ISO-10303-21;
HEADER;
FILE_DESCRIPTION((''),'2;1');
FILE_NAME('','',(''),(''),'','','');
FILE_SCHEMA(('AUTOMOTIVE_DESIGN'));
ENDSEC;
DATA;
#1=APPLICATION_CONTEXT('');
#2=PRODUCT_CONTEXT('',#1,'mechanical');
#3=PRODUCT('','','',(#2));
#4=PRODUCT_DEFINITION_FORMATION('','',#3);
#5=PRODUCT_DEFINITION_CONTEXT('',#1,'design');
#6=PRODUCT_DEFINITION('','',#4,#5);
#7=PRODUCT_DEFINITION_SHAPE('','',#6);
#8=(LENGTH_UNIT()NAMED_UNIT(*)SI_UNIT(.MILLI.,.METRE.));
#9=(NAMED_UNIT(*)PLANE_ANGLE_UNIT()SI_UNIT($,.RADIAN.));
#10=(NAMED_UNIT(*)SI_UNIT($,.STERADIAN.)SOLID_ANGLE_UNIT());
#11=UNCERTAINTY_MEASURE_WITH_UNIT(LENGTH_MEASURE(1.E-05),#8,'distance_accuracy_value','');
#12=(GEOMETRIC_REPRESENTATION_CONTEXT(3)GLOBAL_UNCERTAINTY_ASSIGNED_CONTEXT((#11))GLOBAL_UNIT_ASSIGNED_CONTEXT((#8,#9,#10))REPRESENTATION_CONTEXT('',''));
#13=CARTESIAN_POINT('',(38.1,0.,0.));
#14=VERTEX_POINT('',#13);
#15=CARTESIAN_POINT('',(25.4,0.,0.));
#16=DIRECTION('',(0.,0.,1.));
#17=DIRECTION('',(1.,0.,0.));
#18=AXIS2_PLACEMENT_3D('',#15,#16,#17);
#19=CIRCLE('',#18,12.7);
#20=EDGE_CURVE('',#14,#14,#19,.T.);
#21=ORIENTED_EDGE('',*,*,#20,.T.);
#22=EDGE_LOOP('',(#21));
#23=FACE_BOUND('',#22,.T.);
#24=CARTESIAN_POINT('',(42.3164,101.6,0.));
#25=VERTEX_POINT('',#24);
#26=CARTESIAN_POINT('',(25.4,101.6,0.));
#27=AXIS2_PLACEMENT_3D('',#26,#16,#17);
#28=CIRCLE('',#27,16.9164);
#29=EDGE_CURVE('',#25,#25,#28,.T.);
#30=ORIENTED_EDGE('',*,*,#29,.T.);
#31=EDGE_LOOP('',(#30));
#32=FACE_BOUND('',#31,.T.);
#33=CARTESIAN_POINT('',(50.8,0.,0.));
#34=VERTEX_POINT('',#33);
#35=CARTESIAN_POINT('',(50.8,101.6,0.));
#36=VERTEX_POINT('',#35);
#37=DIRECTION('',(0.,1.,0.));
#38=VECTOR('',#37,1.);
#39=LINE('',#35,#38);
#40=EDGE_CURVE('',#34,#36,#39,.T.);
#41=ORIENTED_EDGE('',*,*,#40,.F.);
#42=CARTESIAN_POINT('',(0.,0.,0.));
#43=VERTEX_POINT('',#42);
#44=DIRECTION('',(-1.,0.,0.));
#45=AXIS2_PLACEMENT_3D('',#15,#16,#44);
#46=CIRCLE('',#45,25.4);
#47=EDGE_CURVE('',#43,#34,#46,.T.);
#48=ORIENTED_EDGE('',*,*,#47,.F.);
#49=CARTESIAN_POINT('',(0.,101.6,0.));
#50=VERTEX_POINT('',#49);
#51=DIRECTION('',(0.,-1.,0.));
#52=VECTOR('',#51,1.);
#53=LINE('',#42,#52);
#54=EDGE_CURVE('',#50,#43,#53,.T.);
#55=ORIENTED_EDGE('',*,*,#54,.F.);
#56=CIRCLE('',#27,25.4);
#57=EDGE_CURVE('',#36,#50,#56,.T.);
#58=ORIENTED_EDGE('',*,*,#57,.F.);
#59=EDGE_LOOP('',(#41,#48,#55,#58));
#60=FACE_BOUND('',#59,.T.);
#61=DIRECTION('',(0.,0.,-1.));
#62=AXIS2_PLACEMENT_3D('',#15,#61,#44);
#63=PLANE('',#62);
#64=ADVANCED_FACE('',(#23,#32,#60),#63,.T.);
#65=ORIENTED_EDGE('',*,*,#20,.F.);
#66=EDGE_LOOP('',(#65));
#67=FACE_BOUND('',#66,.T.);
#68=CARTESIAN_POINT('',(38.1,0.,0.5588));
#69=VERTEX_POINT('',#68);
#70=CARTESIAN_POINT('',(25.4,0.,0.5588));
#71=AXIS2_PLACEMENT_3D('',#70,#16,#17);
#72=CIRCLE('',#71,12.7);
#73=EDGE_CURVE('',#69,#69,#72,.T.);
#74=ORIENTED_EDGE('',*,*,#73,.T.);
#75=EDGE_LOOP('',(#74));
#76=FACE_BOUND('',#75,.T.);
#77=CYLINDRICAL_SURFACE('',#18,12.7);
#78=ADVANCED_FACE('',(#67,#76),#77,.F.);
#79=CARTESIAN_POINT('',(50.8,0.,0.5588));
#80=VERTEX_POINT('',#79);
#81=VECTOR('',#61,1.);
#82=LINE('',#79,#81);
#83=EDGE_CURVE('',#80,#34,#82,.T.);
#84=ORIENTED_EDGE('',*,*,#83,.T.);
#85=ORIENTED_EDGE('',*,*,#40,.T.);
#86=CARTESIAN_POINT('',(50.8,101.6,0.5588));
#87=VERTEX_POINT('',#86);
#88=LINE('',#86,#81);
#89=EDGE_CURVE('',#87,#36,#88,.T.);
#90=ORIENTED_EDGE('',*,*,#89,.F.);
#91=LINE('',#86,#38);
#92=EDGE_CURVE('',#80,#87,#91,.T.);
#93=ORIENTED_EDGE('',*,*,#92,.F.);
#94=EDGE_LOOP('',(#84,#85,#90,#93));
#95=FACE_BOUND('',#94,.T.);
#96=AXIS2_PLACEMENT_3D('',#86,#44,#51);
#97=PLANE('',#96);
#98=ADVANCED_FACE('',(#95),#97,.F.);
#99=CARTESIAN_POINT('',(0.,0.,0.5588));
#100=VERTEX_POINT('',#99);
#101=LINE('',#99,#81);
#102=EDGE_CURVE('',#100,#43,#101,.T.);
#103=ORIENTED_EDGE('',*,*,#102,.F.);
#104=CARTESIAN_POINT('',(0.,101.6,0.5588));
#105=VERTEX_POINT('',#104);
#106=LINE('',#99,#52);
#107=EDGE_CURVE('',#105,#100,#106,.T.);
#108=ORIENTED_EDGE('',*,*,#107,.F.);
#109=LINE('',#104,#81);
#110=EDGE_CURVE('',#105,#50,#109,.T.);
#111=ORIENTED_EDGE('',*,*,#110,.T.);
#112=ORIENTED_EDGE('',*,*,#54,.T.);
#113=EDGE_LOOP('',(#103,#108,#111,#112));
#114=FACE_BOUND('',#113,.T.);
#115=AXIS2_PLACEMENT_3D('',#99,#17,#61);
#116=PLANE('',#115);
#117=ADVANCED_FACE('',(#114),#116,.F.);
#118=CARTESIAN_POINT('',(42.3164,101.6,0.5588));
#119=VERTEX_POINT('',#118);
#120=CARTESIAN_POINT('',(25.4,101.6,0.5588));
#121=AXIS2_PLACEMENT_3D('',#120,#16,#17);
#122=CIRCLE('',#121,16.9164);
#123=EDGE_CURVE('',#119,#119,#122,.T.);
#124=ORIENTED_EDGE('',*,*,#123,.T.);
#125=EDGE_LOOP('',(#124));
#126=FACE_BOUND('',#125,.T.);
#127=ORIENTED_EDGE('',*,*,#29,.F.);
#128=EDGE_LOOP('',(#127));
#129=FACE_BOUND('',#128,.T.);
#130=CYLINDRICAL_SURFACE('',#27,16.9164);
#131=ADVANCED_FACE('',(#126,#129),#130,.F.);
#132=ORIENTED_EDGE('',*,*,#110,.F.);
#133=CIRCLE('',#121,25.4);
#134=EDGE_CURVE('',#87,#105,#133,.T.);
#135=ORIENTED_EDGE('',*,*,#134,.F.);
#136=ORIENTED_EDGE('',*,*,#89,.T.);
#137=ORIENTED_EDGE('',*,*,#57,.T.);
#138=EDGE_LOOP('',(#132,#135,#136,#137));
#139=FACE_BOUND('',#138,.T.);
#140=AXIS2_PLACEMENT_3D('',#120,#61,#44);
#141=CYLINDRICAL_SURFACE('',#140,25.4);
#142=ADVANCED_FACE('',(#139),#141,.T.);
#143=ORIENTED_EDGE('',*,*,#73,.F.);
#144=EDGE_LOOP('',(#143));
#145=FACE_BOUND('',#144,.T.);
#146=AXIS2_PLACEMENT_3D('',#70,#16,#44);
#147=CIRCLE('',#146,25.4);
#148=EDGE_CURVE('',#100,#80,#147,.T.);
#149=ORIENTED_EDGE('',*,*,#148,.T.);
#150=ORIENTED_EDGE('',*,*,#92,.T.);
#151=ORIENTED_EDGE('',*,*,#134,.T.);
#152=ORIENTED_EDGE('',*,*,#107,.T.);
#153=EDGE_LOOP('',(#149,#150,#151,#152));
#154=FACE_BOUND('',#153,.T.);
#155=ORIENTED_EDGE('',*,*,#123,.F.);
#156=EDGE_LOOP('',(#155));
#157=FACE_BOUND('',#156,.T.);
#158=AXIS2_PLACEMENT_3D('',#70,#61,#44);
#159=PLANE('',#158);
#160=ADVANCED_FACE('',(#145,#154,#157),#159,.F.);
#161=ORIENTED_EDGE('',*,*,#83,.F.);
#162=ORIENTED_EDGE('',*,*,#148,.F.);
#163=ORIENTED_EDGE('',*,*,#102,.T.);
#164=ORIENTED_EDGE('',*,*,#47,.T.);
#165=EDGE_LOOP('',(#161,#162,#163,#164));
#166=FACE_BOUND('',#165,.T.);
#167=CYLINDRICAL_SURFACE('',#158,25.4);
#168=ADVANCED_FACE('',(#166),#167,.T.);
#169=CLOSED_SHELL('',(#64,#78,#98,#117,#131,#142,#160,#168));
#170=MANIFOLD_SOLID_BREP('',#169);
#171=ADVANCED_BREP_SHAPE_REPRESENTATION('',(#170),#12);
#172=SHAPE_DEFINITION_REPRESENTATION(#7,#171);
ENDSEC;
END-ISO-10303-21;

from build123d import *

# Parameters (mm, degrees)
BOSS_EXTRUDE1_DEPTH = 0.5588
SKETCH2_R           = 16.9164
SKETCH2_R_2         = 12.7
CUT_EXTRUDE1_DEPTH  = 137.784327529


with BuildPart() as part:
    # Sketch1 → Boss-Extrude1 (new body)
    with BuildSketch(Plane.XY):
        with BuildLine():
            Line((0, 0), (0, 101.6))
            ThreePointArc((0, 101.6), (25.4, 127), (50.8, 101.6))
            Line((50.8, 101.6), (50.8, 0))
            ThreePointArc((50.8, 0), (25.4, -25.4), (0, 0))
        make_face()
    extrude(amount=BOSS_EXTRUDE1_DEPTH)

    # Sketch2 → Cut-Extrude1 (cut, through all)
    with BuildSketch(Plane.XY.offset(0.5588)):
        with Locations((25.4, 101.6)):
            Circle(SKETCH2_R)
        with Locations((25.4, 0)):
            Circle(SKETCH2_R_2)
    extrude(amount=-CUT_EXTRUDE1_DEPTH, mode=Mode.SUBTRACT)


solid = part.part
